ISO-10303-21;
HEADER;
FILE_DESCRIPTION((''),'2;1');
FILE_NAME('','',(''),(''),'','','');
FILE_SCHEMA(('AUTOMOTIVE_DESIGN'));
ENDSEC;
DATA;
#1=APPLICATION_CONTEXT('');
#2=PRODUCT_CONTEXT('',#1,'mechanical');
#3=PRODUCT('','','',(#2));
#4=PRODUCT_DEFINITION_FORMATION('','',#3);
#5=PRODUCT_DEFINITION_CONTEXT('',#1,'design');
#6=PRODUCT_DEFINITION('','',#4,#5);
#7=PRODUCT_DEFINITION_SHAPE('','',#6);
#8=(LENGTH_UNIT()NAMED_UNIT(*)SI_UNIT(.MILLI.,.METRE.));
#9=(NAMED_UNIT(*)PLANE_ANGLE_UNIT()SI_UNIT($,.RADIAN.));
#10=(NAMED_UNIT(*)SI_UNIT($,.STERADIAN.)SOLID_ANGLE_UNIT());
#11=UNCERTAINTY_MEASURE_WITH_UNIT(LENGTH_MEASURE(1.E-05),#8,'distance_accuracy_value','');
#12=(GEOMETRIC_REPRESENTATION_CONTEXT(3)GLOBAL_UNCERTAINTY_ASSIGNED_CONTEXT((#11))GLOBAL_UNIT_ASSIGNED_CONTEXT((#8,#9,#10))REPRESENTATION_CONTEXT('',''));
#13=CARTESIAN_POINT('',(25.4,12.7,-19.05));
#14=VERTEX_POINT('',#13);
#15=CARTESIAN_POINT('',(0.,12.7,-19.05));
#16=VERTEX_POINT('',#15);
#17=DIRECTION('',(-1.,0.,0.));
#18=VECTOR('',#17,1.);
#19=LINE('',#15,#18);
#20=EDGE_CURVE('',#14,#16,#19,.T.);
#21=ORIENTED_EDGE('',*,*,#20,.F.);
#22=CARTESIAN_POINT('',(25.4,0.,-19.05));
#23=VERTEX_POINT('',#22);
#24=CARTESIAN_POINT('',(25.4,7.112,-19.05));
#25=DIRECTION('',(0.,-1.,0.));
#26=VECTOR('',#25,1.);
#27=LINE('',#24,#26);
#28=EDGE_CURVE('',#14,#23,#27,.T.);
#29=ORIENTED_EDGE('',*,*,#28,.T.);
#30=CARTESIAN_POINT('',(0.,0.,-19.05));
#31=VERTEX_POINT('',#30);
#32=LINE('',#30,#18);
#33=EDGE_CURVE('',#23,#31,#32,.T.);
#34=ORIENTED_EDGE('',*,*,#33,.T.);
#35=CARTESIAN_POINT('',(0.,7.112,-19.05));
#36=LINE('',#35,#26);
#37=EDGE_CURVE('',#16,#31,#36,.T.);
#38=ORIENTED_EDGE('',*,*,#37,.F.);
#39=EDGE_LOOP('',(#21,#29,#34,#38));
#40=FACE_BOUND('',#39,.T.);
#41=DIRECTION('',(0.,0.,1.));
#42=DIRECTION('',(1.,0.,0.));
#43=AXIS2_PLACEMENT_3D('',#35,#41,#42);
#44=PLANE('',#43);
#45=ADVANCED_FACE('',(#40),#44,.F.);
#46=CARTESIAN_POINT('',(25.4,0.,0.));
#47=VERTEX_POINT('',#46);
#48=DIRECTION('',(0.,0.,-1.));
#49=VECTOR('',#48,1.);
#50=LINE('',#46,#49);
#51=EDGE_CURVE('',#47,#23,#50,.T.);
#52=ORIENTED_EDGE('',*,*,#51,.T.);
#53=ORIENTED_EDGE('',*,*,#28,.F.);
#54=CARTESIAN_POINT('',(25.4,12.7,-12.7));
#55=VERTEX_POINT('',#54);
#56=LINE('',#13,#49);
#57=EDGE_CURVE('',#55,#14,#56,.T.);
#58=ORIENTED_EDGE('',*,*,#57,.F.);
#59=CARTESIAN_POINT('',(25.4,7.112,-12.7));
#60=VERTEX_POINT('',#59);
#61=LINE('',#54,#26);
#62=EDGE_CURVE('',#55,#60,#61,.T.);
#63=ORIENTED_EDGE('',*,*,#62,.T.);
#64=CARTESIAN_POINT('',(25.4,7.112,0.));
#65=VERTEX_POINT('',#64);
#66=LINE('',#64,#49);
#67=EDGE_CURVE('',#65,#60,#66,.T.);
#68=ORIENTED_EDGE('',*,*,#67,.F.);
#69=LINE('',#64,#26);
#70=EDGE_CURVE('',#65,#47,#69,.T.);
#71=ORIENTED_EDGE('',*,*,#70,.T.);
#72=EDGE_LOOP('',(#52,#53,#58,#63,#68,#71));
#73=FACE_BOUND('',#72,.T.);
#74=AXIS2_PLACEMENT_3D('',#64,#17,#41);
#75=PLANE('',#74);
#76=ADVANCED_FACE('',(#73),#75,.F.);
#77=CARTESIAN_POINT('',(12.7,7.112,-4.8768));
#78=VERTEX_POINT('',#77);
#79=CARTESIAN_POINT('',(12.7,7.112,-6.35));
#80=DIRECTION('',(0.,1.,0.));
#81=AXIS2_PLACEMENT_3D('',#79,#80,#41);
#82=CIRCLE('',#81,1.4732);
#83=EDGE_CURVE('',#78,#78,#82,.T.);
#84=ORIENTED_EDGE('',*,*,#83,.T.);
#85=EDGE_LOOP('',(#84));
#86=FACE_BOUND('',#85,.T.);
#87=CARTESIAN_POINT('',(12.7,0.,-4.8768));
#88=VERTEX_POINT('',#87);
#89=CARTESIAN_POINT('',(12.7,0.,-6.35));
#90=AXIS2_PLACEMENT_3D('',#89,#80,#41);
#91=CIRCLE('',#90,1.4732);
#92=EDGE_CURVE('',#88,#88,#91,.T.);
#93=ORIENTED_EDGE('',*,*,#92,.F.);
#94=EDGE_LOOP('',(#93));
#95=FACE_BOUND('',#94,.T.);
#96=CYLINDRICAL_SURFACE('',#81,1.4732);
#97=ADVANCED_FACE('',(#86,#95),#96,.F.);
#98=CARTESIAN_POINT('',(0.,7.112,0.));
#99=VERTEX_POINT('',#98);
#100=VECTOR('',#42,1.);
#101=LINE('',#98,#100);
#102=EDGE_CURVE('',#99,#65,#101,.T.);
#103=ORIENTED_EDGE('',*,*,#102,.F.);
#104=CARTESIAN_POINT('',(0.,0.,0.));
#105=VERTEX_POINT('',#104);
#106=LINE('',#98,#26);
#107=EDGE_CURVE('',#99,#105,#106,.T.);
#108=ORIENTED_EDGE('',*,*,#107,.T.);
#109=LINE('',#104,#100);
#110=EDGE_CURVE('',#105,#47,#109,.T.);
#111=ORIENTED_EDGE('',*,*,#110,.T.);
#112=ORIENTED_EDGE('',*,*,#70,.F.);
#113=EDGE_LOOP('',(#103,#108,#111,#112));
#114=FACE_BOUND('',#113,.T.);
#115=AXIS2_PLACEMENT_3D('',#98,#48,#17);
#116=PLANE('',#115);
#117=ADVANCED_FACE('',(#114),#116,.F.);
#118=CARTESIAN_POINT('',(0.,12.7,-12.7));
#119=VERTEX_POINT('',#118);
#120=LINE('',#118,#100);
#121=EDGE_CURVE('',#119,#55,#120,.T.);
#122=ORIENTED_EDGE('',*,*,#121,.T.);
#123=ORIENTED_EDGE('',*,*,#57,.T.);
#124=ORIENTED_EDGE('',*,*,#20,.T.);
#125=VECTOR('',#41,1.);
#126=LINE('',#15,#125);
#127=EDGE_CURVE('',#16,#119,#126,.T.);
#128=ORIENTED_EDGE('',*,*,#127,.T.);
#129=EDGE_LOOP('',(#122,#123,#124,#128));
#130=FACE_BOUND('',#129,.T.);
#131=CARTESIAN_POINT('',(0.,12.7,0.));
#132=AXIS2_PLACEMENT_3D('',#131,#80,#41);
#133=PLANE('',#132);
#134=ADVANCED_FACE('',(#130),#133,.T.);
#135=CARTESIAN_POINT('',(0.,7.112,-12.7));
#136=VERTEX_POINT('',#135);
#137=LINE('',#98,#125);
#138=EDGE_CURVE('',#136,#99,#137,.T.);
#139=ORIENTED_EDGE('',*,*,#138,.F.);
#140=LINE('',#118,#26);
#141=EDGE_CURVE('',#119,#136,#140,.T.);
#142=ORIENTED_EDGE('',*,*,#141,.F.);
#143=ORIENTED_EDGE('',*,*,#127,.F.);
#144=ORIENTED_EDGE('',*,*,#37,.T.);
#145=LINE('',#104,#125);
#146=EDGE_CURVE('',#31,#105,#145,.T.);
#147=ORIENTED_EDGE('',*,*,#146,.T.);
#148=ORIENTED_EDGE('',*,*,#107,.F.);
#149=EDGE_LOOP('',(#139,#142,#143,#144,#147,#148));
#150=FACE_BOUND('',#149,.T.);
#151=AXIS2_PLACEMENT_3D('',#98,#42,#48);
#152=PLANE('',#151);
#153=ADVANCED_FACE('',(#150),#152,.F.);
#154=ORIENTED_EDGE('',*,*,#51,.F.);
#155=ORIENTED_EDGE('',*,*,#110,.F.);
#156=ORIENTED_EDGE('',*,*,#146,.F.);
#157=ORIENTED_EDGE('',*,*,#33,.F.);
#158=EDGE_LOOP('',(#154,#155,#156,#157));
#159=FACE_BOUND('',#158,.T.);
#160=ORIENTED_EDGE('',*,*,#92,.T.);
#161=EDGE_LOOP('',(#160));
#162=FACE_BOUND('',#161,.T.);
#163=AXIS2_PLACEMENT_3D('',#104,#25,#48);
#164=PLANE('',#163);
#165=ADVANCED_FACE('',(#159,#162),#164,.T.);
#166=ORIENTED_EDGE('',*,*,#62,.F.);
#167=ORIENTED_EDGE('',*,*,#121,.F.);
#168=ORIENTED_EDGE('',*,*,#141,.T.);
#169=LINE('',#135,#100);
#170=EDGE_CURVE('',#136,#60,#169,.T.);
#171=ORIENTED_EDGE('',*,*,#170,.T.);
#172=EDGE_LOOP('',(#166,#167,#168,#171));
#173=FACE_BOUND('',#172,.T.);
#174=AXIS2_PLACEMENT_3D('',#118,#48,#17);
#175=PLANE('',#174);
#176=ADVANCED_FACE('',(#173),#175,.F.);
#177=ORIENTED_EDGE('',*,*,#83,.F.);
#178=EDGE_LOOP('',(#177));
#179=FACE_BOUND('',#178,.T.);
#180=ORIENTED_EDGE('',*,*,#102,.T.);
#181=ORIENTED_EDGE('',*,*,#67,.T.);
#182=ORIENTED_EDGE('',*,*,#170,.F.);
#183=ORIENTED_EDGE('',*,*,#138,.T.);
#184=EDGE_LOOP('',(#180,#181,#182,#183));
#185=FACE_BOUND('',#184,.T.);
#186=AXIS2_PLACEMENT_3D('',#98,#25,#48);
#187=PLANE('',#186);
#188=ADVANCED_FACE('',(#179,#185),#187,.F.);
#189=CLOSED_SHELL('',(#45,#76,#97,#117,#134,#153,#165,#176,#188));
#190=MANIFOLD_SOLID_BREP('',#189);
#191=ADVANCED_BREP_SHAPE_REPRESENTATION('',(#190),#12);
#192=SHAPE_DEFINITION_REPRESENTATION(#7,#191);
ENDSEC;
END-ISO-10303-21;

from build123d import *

# Parameters (mm, degrees)
SKETCH1_W                   = 25.4
SKETCH1_H                   = 19.05
BOSS_EXTRUDE1_DEPTH         = 7.112
SKETCH2_W                   = 25.4
SKETCH2_H                   = 6.35
BOSS_EXTRUDE2_DEPTH         = 5.588
F_32_0_116_DIAMETER_HOLE1_D = 2.9464


with BuildPart() as part:
    # Sketch1 → Boss-Extrude1 (new body)
    with BuildSketch(Plane(origin=(0, 0, 0), x_dir=(1, 0, 0), z_dir=(0, 1, 0))):
        with Locations((12.7, 9.525)):
            Rectangle(SKETCH1_W, SKETCH1_H)
    extrude(amount=BOSS_EXTRUDE1_DEPTH)

    # Sketch2 → Boss-Extrude2 (add)
    with BuildSketch(Plane(origin=(0, 7.112, 0), x_dir=(1, 0, 0), z_dir=(0, 1, 0))):
        with Locations((12.7, 15.875)):
            Rectangle(SKETCH2_W, SKETCH2_H)
    extrude(amount=BOSS_EXTRUDE2_DEPTH)

    # #32 (0.116) Diameter Hole1 (through all)
    with Locations(Plane(origin=(0, 7.112, 0), x_dir=(1, 0, 0), z_dir=(0, 1, 0))):
        with Locations((12.7, 6.35)):
            Hole(F_32_0_116_DIAMETER_HOLE1_D / 2)


solid = part.part
